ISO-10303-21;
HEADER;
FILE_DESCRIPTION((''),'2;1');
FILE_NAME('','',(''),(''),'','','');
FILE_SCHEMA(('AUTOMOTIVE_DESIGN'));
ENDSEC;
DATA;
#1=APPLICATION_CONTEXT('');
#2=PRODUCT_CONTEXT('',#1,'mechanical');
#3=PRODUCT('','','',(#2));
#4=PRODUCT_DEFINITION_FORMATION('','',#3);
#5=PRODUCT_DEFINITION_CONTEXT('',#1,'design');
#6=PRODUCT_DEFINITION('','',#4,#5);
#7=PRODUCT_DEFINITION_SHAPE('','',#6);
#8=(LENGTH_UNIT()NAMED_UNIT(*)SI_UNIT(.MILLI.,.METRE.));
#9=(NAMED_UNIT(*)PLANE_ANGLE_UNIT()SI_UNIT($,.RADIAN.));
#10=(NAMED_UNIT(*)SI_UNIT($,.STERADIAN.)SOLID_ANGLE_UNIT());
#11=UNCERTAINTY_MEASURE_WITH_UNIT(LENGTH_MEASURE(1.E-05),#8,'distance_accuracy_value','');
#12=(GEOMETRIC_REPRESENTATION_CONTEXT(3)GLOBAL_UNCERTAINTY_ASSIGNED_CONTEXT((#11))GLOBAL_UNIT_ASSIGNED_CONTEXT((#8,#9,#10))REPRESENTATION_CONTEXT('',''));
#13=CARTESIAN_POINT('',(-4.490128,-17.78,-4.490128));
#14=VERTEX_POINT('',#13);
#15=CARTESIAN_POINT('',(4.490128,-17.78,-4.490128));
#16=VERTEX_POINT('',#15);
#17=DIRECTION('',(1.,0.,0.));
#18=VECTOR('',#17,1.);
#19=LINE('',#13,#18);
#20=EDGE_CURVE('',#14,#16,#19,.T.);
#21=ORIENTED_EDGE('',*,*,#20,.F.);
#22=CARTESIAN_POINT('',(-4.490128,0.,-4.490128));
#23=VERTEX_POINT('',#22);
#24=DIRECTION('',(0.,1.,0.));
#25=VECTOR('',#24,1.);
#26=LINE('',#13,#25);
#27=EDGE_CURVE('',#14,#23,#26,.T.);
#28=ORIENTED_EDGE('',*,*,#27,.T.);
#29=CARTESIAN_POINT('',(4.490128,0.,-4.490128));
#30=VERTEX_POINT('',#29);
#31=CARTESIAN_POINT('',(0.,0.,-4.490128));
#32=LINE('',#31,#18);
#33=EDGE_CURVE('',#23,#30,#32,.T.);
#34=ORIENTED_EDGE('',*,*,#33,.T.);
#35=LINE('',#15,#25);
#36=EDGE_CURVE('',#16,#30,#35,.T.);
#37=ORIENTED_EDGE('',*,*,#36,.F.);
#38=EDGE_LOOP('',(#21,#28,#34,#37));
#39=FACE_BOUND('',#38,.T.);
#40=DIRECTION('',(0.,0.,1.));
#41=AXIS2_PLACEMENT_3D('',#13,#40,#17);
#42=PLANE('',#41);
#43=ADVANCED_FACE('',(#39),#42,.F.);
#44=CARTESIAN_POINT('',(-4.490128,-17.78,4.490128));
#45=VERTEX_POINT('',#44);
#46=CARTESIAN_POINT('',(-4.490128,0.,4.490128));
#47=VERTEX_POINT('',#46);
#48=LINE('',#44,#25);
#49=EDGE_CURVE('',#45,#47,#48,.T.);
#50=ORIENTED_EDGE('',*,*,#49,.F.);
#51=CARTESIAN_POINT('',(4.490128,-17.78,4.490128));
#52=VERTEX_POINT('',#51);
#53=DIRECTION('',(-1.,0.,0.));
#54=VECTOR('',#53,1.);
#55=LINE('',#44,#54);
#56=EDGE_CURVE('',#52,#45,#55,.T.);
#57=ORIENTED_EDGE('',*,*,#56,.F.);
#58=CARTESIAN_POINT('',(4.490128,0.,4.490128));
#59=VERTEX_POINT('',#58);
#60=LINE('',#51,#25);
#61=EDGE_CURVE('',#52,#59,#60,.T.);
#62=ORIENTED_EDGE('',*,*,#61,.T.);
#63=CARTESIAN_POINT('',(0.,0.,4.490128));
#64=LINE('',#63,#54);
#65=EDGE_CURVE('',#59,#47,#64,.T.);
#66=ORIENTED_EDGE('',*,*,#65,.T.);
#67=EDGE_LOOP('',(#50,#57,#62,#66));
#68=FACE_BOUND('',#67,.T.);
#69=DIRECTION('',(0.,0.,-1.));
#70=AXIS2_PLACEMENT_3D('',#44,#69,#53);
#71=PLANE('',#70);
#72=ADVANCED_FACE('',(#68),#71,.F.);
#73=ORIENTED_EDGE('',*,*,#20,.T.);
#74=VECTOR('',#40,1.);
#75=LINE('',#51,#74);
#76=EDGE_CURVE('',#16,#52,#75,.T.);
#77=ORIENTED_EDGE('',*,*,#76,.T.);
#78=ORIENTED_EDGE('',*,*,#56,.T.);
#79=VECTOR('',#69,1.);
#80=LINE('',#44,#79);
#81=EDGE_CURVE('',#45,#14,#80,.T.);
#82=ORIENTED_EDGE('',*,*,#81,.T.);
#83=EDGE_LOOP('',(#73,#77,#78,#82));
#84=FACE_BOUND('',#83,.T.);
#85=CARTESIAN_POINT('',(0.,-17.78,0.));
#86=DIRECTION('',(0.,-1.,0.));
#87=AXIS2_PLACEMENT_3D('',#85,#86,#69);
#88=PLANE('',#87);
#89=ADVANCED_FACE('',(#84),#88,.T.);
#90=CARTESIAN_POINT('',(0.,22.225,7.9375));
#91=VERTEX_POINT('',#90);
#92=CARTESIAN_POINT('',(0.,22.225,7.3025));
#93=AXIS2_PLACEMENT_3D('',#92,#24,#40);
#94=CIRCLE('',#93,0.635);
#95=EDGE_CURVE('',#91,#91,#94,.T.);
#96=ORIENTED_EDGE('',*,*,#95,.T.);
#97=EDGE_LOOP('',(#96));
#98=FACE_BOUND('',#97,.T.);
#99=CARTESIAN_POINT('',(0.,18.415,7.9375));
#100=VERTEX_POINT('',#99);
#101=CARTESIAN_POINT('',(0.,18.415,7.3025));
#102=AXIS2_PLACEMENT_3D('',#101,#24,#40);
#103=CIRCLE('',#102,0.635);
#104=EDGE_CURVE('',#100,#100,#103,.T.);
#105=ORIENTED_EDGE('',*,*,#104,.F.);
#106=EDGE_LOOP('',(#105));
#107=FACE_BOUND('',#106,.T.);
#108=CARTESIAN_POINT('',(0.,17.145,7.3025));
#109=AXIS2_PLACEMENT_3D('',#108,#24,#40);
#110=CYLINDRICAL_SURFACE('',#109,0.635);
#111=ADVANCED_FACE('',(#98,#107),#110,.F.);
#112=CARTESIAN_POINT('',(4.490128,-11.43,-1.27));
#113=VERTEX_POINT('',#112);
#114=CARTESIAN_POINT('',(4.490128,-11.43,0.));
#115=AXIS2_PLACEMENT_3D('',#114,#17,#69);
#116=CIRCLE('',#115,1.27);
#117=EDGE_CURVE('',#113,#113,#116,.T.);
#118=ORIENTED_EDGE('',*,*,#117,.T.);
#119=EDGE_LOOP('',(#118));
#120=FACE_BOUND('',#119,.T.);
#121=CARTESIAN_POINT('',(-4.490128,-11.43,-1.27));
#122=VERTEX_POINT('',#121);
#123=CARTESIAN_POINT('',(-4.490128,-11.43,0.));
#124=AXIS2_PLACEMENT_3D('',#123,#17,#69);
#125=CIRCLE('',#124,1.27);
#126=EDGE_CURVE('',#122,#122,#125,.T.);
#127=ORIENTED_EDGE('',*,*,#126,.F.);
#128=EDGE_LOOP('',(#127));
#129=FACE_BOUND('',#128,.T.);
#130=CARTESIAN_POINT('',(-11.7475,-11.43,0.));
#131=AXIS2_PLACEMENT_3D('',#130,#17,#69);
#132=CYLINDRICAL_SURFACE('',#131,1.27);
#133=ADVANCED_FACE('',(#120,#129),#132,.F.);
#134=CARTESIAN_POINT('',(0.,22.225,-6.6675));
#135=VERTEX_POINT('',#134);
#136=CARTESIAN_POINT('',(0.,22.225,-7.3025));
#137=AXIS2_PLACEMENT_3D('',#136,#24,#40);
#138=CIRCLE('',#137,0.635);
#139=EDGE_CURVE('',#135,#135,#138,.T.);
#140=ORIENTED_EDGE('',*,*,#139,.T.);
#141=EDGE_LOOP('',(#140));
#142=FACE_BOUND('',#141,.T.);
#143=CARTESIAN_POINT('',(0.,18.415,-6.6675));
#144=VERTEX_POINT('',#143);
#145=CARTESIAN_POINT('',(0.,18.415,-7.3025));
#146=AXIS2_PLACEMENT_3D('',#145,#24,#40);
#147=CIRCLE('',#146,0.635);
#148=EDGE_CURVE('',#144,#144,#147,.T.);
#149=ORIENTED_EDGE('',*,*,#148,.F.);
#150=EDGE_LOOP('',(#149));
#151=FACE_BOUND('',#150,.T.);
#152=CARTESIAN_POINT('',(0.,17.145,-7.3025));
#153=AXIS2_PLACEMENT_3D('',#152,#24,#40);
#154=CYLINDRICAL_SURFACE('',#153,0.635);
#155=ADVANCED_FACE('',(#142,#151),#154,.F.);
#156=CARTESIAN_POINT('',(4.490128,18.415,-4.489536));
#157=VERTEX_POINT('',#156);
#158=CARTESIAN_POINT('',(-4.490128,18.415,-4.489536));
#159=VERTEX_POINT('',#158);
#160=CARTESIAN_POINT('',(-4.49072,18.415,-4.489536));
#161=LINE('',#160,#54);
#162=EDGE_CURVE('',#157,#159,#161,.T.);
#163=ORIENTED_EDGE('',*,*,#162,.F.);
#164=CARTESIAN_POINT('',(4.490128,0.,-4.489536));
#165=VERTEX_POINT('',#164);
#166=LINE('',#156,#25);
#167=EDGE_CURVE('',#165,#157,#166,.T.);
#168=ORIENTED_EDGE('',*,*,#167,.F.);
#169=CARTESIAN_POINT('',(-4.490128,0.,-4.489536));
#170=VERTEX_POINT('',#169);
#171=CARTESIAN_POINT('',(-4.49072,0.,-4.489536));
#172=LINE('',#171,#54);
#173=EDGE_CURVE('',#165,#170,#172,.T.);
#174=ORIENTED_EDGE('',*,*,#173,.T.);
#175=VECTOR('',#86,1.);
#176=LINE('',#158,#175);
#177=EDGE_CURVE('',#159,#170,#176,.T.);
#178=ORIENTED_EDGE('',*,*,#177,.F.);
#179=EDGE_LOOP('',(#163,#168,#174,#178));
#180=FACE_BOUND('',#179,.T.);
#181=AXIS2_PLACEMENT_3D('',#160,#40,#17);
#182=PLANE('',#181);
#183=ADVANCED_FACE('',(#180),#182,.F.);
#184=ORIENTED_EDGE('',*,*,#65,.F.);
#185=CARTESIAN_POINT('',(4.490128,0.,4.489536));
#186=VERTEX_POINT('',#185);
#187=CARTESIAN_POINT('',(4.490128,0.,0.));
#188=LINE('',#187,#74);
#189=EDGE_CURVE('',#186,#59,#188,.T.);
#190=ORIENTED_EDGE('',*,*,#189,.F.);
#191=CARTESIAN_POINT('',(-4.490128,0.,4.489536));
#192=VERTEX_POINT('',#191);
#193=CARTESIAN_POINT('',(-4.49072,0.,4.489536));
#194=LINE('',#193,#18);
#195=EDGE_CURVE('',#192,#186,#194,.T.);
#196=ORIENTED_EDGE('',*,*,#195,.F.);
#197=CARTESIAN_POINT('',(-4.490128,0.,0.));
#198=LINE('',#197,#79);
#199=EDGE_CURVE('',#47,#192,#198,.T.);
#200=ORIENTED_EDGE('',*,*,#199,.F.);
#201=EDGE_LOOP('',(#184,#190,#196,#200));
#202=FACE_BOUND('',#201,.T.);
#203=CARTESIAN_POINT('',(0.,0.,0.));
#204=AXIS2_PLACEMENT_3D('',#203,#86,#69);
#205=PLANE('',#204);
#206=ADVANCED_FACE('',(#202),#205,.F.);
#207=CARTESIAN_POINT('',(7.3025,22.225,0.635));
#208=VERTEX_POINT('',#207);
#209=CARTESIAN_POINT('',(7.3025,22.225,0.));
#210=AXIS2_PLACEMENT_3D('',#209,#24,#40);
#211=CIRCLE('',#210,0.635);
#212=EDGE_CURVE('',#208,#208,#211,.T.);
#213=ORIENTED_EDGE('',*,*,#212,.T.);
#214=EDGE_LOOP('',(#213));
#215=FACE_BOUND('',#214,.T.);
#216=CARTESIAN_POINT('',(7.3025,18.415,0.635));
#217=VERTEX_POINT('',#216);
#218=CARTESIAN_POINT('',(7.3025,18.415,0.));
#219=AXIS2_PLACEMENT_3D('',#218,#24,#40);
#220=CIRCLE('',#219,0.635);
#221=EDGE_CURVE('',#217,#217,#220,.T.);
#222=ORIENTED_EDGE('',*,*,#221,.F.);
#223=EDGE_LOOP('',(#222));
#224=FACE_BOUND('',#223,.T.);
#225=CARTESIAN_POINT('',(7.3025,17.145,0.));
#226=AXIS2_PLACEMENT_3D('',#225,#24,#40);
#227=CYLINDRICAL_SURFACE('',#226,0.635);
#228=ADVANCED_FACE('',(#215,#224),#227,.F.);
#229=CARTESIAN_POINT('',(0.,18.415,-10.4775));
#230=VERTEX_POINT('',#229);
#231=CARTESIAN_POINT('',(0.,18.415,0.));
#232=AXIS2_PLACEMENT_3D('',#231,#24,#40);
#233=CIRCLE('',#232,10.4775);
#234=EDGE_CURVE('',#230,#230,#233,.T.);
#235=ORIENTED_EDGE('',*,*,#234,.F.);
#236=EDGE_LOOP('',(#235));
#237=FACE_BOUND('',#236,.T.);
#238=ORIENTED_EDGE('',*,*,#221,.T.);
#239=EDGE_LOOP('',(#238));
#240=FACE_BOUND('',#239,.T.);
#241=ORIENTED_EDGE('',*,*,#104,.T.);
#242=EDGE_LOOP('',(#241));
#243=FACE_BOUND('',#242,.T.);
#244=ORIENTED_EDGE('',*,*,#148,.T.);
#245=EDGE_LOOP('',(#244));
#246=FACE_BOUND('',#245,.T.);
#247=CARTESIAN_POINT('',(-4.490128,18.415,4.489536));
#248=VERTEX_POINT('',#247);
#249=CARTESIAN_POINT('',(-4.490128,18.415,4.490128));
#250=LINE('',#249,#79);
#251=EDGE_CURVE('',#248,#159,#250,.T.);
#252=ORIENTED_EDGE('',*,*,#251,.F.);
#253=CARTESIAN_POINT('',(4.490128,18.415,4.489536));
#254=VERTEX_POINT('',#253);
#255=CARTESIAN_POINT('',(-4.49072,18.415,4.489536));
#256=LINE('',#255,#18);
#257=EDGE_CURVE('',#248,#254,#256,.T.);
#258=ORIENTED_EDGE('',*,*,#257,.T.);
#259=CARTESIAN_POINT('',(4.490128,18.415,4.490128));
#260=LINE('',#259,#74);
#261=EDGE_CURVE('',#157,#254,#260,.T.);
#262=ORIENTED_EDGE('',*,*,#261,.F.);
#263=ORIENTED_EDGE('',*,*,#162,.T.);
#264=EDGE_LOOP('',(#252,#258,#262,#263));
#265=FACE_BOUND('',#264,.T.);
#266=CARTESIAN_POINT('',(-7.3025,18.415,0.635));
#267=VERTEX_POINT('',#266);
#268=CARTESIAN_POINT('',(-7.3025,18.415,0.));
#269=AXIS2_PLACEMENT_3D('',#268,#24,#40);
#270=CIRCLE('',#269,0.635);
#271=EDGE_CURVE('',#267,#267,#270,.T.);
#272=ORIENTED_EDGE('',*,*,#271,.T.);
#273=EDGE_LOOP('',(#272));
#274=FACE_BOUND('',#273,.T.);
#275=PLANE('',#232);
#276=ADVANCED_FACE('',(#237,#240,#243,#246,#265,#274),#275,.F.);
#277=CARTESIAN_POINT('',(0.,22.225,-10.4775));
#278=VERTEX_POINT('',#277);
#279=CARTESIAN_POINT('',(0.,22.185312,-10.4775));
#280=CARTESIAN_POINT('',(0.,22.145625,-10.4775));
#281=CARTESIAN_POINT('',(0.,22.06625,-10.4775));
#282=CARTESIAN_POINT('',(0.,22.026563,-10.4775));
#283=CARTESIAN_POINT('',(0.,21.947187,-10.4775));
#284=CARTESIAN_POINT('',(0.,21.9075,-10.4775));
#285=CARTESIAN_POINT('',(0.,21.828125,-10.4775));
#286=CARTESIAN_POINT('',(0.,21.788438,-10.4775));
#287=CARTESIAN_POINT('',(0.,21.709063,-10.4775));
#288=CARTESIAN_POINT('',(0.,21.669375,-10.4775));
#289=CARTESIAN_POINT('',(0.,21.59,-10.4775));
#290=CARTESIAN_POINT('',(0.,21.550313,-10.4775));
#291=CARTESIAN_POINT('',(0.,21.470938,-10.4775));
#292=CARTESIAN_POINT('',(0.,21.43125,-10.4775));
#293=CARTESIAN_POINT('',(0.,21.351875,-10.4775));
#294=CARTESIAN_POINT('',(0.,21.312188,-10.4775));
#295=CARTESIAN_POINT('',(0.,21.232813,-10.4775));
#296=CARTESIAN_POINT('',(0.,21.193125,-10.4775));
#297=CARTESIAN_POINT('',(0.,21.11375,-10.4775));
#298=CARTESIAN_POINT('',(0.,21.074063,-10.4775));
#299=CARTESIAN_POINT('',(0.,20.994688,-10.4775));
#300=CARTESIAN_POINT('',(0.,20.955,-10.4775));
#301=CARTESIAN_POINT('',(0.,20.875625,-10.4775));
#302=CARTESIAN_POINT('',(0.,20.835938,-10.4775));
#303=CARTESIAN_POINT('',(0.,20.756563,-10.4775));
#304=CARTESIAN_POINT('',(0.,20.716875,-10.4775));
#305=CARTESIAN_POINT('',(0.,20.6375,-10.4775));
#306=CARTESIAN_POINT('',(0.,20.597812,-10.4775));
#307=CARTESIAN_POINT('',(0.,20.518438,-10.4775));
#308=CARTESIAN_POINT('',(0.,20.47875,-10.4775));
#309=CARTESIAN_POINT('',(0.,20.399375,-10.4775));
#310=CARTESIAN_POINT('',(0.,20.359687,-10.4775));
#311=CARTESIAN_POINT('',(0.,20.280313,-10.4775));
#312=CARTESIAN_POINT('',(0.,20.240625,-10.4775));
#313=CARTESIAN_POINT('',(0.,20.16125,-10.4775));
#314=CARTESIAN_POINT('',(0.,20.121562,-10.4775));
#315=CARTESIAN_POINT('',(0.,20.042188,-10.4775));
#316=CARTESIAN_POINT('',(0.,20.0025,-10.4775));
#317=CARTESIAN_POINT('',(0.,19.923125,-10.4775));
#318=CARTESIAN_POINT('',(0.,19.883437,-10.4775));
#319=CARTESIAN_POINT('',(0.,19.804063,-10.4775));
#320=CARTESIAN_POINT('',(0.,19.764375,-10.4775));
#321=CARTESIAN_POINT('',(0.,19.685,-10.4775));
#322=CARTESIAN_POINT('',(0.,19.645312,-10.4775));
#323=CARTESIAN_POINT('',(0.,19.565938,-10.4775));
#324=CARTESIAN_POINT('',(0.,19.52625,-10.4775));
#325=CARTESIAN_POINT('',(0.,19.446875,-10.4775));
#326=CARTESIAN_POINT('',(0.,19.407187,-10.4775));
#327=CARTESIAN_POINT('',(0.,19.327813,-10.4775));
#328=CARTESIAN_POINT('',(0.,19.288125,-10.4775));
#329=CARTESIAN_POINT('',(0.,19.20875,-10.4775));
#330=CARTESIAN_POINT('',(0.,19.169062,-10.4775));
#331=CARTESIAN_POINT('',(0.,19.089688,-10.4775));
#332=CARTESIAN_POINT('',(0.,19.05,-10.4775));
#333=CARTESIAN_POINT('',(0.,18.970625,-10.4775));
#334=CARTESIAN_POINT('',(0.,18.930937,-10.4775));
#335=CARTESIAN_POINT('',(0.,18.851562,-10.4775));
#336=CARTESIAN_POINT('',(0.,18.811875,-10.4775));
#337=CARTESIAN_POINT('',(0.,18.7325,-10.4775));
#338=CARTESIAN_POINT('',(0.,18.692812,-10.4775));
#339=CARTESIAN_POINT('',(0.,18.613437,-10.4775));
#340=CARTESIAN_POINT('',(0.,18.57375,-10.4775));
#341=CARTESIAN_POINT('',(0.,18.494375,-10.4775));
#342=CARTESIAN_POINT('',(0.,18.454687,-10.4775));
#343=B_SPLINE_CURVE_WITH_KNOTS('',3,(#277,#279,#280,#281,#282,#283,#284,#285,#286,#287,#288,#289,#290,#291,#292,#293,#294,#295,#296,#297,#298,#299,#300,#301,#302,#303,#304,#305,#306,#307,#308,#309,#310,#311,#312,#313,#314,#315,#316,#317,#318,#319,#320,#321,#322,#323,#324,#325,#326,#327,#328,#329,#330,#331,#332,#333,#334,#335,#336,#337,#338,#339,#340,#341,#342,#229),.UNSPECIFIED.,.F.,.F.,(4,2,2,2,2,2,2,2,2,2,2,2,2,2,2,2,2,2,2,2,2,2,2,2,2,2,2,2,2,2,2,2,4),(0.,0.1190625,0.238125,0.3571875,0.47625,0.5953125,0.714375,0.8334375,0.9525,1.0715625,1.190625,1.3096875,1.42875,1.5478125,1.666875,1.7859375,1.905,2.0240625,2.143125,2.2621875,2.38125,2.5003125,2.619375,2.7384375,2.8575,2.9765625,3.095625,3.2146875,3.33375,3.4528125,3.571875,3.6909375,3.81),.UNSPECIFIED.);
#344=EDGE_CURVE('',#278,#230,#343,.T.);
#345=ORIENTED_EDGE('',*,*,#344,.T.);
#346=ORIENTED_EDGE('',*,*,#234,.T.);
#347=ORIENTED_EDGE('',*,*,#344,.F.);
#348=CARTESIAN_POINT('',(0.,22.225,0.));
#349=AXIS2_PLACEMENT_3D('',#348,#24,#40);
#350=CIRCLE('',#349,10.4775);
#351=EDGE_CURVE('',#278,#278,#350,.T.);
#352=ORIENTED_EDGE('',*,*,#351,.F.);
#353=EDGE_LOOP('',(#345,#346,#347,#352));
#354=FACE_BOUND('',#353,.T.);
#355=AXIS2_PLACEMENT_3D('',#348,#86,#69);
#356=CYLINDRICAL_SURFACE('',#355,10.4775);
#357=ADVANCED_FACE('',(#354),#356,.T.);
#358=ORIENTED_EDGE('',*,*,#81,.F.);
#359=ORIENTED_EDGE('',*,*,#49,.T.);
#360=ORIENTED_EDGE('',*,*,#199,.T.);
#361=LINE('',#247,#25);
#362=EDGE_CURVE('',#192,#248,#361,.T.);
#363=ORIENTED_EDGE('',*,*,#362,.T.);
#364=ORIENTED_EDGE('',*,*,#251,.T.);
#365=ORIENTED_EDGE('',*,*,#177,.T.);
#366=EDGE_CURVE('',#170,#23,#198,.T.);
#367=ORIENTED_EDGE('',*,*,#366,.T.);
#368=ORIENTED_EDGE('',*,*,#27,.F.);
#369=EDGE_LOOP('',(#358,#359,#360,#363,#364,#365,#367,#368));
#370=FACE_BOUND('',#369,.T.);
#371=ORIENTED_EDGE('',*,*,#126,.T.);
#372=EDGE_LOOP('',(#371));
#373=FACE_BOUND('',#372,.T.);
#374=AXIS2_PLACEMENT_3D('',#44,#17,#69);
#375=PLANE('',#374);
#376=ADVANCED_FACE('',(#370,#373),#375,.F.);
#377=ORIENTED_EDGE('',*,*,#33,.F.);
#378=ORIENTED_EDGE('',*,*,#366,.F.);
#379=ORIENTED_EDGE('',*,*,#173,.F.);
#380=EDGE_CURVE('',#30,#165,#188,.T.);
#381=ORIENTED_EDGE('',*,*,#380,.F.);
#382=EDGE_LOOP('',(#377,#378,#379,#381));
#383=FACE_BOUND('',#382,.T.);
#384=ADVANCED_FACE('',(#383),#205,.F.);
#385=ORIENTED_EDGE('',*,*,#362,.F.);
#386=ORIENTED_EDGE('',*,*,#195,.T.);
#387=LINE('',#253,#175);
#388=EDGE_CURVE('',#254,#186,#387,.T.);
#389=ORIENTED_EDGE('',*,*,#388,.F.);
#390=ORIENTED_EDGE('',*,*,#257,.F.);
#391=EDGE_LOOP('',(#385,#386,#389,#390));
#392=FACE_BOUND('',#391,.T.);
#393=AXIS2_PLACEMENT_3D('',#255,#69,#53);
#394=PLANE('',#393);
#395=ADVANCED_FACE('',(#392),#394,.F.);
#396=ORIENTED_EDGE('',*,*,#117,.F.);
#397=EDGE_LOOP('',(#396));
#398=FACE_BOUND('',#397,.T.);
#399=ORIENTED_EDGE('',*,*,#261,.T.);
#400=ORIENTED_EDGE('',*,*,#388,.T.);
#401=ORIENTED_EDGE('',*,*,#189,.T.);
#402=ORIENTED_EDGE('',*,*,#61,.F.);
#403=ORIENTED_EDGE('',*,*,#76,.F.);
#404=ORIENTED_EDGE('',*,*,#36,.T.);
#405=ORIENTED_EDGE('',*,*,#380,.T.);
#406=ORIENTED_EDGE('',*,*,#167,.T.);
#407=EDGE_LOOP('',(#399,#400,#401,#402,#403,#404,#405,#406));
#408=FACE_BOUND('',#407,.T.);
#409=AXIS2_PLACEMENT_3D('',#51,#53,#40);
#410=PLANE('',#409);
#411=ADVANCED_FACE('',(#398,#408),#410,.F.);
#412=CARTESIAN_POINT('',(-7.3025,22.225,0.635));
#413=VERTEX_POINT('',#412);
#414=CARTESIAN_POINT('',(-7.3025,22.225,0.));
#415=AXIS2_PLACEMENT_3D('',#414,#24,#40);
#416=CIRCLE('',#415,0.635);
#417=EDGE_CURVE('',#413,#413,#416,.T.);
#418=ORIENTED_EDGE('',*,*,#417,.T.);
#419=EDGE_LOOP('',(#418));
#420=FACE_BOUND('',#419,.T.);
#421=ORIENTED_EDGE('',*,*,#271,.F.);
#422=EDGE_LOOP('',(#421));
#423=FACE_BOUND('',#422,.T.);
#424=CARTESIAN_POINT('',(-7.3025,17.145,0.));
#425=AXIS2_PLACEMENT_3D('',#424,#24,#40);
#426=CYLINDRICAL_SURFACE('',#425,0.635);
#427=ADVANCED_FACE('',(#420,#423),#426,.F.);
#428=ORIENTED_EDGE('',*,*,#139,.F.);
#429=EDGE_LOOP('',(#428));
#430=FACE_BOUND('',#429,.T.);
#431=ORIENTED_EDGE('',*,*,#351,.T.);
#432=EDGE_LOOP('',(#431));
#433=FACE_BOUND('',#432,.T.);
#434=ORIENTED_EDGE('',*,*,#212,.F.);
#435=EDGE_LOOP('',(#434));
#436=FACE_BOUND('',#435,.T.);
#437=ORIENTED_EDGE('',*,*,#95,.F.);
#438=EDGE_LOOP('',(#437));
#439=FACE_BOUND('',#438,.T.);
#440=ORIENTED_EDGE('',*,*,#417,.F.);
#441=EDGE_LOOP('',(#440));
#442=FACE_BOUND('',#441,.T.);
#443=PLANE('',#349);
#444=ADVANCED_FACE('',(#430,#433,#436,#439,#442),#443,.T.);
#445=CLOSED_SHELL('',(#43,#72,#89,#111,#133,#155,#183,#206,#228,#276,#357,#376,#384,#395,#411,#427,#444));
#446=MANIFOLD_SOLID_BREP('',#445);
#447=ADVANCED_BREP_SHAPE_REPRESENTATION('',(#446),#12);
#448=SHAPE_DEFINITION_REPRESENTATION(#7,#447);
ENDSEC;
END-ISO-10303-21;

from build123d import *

# Parameters (mm, degrees)
SKETCH1_W           = 8.98144
SKETCH1_H           = 8.979072086
BOSS_EXTRUDE1_DEPTH = 18.415
SKETCH2_R           = 10.4775
BOSS_EXTRUDE2_DEPTH = 3.81
BOSS_EXTRUDE4_START = 5.08
SKETCH4_R           = 10.4775
BOSS_EXTRUDE4_DEPTH = 5.08
SKETCH5_R           = 20.080329598
CUT_EXTRUDE1_DEPTH  = 5.08
SKETCH6_R           = 11.7475
BOSS_EXTRUDE5_DEPTH = 1.27
SKETCH10_R          = 0.635
CUT_EXTRUDE3_DEPTH  = 5.08
SKETCH11_W          = 8.980256122
SKETCH11_H          = 8.980256122
BOSS_EXTRUDE6_DEPTH = 11.43
SKETCH12_R          = 1.27
CUT_EXTRUDE4_DEPTH  = 30.926826532
SKETCH13_R          = 16.332620974
SKETCH13_W          = 8.980256122
SKETCH13_H          = 8.980256122
CUT_EXTRUDE5_DEPTH  = 24.765


with BuildPart() as part:
    # Sketch1 → Boss-Extrude1 (new body)
    with BuildSketch(Plane(origin=(0, 0, 0), x_dir=(1, 0, 0), z_dir=(0, 1, 0))):
        Rectangle(SKETCH1_W, SKETCH1_H)
    extrude(amount=BOSS_EXTRUDE1_DEPTH)

    # Sketch2 → Boss-Extrude2 (add)
    with BuildSketch(Plane(origin=(0, 18.415, 0), x_dir=(1, 0, 0), z_dir=(0, 1, 0))):
        with Locations(Location((0, 0, 0), (0, 0, 90))):
            Circle(SKETCH2_R)
    extrude(amount=BOSS_EXTRUDE2_DEPTH)

    # Sketch4 → Boss-Extrude4 (add)
    with BuildSketch(Plane.XZ.offset(BOSS_EXTRUDE4_START)):
        with Locations(Location((0, 0, 0), (0, 0, 270))):
            Circle(SKETCH4_R)
    extrude(amount=-BOSS_EXTRUDE4_DEPTH)

    # Sketch5 → Cut-Extrude1 (cut)
    with BuildSketch(Plane.XZ.offset(5.08)):
        Circle(SKETCH5_R)
        Polygon((0, 17.195074229), (-1.836150497, 7.449555405), (-7.990949439, 15.225482088), (-5.087811539, 5.742952038), (-14.151268663, 9.767915487), (-7.173916273, 2.72070757), (-17.069702778, 2.072637164), (-7.616563244, -0.924818214), (-16.077673698, -6.097457355), (-6.314347365, -4.358479291), (-11.402443331, -12.870697876), (-3.565590601, -6.793665288), (-4.115050612, -16.695416623), (0, -7.67250444), (4.115050612, -16.695416623), (3.565590601, -6.793665288), (11.402443331, -12.870697876), (6.314347365, -4.358479291), (16.077673698, -6.097457355), (7.616563244, -0.924818214), (17.069702778, 2.072637164), (7.173916273, 2.72070757), (14.151268663, 9.767915487), (5.087811539, 5.742952038), (7.990949439, 15.225482088), (1.836150497, 7.449555405), align=None, mode=Mode.SUBTRACT)
    extrude(amount=-CUT_EXTRUDE1_DEPTH, mode=Mode.SUBTRACT)

    # Sketch6 → Boss-Extrude5 (add)
    with BuildSketch(Plane.XZ.offset(5.08)):
        with Locations(Location((0, 0, 0), (0, 0, 270))):
            Circle(SKETCH6_R)
    extrude(amount=BOSS_EXTRUDE5_DEPTH)

    # Sketch10 → Cut-Extrude3 (cut)
    with BuildSketch(Plane(origin=(0, 22.225, 0), x_dir=(1, 0, 0), z_dir=(0, 1, 0))):
        with Locations(Location((0, 7.3025, 0), (0, 0, 270))):
            Circle(SKETCH10_R)
        with Locations(Location((7.3025, 0, 0), (0, 0, 270))):
            Circle(SKETCH10_R)
        with Locations(Location((-7.3025, 0, 0), (0, 0, 270))):
            Circle(SKETCH10_R)
        with Locations(Location((0, -7.3025, 0), (0, 0, 270))):
            Circle(SKETCH10_R)
    extrude(amount=-CUT_EXTRUDE3_DEPTH, mode=Mode.SUBTRACT)

    # Sketch11 → Boss-Extrude6 (add)
    with BuildSketch(Plane.XZ.offset(6.35)):
        Rectangle(SKETCH11_W, SKETCH11_H)
    extrude(amount=BOSS_EXTRUDE6_DEPTH)

    # Sketch12 → Cut-Extrude4 (cut, through all)
    with BuildSketch(Plane(origin=(4.490128061, 0, 0), x_dir=(0, 0, -1), z_dir=(1, 0, 0))):
        with Locations((0, -11.43)):
            Circle(SKETCH12_R)
    extrude(amount=-CUT_EXTRUDE4_DEPTH, mode=Mode.SUBTRACT)

    # Sketch13 → Cut-Extrude5 (cut)
    with BuildSketch(Plane.XZ.offset(6.35)):
        Circle(SKETCH13_R)
        Rectangle(SKETCH13_W, SKETCH13_H, mode=Mode.SUBTRACT)
    extrude(amount=-CUT_EXTRUDE5_DEPTH, mode=Mode.SUBTRACT)


solid = part.part
